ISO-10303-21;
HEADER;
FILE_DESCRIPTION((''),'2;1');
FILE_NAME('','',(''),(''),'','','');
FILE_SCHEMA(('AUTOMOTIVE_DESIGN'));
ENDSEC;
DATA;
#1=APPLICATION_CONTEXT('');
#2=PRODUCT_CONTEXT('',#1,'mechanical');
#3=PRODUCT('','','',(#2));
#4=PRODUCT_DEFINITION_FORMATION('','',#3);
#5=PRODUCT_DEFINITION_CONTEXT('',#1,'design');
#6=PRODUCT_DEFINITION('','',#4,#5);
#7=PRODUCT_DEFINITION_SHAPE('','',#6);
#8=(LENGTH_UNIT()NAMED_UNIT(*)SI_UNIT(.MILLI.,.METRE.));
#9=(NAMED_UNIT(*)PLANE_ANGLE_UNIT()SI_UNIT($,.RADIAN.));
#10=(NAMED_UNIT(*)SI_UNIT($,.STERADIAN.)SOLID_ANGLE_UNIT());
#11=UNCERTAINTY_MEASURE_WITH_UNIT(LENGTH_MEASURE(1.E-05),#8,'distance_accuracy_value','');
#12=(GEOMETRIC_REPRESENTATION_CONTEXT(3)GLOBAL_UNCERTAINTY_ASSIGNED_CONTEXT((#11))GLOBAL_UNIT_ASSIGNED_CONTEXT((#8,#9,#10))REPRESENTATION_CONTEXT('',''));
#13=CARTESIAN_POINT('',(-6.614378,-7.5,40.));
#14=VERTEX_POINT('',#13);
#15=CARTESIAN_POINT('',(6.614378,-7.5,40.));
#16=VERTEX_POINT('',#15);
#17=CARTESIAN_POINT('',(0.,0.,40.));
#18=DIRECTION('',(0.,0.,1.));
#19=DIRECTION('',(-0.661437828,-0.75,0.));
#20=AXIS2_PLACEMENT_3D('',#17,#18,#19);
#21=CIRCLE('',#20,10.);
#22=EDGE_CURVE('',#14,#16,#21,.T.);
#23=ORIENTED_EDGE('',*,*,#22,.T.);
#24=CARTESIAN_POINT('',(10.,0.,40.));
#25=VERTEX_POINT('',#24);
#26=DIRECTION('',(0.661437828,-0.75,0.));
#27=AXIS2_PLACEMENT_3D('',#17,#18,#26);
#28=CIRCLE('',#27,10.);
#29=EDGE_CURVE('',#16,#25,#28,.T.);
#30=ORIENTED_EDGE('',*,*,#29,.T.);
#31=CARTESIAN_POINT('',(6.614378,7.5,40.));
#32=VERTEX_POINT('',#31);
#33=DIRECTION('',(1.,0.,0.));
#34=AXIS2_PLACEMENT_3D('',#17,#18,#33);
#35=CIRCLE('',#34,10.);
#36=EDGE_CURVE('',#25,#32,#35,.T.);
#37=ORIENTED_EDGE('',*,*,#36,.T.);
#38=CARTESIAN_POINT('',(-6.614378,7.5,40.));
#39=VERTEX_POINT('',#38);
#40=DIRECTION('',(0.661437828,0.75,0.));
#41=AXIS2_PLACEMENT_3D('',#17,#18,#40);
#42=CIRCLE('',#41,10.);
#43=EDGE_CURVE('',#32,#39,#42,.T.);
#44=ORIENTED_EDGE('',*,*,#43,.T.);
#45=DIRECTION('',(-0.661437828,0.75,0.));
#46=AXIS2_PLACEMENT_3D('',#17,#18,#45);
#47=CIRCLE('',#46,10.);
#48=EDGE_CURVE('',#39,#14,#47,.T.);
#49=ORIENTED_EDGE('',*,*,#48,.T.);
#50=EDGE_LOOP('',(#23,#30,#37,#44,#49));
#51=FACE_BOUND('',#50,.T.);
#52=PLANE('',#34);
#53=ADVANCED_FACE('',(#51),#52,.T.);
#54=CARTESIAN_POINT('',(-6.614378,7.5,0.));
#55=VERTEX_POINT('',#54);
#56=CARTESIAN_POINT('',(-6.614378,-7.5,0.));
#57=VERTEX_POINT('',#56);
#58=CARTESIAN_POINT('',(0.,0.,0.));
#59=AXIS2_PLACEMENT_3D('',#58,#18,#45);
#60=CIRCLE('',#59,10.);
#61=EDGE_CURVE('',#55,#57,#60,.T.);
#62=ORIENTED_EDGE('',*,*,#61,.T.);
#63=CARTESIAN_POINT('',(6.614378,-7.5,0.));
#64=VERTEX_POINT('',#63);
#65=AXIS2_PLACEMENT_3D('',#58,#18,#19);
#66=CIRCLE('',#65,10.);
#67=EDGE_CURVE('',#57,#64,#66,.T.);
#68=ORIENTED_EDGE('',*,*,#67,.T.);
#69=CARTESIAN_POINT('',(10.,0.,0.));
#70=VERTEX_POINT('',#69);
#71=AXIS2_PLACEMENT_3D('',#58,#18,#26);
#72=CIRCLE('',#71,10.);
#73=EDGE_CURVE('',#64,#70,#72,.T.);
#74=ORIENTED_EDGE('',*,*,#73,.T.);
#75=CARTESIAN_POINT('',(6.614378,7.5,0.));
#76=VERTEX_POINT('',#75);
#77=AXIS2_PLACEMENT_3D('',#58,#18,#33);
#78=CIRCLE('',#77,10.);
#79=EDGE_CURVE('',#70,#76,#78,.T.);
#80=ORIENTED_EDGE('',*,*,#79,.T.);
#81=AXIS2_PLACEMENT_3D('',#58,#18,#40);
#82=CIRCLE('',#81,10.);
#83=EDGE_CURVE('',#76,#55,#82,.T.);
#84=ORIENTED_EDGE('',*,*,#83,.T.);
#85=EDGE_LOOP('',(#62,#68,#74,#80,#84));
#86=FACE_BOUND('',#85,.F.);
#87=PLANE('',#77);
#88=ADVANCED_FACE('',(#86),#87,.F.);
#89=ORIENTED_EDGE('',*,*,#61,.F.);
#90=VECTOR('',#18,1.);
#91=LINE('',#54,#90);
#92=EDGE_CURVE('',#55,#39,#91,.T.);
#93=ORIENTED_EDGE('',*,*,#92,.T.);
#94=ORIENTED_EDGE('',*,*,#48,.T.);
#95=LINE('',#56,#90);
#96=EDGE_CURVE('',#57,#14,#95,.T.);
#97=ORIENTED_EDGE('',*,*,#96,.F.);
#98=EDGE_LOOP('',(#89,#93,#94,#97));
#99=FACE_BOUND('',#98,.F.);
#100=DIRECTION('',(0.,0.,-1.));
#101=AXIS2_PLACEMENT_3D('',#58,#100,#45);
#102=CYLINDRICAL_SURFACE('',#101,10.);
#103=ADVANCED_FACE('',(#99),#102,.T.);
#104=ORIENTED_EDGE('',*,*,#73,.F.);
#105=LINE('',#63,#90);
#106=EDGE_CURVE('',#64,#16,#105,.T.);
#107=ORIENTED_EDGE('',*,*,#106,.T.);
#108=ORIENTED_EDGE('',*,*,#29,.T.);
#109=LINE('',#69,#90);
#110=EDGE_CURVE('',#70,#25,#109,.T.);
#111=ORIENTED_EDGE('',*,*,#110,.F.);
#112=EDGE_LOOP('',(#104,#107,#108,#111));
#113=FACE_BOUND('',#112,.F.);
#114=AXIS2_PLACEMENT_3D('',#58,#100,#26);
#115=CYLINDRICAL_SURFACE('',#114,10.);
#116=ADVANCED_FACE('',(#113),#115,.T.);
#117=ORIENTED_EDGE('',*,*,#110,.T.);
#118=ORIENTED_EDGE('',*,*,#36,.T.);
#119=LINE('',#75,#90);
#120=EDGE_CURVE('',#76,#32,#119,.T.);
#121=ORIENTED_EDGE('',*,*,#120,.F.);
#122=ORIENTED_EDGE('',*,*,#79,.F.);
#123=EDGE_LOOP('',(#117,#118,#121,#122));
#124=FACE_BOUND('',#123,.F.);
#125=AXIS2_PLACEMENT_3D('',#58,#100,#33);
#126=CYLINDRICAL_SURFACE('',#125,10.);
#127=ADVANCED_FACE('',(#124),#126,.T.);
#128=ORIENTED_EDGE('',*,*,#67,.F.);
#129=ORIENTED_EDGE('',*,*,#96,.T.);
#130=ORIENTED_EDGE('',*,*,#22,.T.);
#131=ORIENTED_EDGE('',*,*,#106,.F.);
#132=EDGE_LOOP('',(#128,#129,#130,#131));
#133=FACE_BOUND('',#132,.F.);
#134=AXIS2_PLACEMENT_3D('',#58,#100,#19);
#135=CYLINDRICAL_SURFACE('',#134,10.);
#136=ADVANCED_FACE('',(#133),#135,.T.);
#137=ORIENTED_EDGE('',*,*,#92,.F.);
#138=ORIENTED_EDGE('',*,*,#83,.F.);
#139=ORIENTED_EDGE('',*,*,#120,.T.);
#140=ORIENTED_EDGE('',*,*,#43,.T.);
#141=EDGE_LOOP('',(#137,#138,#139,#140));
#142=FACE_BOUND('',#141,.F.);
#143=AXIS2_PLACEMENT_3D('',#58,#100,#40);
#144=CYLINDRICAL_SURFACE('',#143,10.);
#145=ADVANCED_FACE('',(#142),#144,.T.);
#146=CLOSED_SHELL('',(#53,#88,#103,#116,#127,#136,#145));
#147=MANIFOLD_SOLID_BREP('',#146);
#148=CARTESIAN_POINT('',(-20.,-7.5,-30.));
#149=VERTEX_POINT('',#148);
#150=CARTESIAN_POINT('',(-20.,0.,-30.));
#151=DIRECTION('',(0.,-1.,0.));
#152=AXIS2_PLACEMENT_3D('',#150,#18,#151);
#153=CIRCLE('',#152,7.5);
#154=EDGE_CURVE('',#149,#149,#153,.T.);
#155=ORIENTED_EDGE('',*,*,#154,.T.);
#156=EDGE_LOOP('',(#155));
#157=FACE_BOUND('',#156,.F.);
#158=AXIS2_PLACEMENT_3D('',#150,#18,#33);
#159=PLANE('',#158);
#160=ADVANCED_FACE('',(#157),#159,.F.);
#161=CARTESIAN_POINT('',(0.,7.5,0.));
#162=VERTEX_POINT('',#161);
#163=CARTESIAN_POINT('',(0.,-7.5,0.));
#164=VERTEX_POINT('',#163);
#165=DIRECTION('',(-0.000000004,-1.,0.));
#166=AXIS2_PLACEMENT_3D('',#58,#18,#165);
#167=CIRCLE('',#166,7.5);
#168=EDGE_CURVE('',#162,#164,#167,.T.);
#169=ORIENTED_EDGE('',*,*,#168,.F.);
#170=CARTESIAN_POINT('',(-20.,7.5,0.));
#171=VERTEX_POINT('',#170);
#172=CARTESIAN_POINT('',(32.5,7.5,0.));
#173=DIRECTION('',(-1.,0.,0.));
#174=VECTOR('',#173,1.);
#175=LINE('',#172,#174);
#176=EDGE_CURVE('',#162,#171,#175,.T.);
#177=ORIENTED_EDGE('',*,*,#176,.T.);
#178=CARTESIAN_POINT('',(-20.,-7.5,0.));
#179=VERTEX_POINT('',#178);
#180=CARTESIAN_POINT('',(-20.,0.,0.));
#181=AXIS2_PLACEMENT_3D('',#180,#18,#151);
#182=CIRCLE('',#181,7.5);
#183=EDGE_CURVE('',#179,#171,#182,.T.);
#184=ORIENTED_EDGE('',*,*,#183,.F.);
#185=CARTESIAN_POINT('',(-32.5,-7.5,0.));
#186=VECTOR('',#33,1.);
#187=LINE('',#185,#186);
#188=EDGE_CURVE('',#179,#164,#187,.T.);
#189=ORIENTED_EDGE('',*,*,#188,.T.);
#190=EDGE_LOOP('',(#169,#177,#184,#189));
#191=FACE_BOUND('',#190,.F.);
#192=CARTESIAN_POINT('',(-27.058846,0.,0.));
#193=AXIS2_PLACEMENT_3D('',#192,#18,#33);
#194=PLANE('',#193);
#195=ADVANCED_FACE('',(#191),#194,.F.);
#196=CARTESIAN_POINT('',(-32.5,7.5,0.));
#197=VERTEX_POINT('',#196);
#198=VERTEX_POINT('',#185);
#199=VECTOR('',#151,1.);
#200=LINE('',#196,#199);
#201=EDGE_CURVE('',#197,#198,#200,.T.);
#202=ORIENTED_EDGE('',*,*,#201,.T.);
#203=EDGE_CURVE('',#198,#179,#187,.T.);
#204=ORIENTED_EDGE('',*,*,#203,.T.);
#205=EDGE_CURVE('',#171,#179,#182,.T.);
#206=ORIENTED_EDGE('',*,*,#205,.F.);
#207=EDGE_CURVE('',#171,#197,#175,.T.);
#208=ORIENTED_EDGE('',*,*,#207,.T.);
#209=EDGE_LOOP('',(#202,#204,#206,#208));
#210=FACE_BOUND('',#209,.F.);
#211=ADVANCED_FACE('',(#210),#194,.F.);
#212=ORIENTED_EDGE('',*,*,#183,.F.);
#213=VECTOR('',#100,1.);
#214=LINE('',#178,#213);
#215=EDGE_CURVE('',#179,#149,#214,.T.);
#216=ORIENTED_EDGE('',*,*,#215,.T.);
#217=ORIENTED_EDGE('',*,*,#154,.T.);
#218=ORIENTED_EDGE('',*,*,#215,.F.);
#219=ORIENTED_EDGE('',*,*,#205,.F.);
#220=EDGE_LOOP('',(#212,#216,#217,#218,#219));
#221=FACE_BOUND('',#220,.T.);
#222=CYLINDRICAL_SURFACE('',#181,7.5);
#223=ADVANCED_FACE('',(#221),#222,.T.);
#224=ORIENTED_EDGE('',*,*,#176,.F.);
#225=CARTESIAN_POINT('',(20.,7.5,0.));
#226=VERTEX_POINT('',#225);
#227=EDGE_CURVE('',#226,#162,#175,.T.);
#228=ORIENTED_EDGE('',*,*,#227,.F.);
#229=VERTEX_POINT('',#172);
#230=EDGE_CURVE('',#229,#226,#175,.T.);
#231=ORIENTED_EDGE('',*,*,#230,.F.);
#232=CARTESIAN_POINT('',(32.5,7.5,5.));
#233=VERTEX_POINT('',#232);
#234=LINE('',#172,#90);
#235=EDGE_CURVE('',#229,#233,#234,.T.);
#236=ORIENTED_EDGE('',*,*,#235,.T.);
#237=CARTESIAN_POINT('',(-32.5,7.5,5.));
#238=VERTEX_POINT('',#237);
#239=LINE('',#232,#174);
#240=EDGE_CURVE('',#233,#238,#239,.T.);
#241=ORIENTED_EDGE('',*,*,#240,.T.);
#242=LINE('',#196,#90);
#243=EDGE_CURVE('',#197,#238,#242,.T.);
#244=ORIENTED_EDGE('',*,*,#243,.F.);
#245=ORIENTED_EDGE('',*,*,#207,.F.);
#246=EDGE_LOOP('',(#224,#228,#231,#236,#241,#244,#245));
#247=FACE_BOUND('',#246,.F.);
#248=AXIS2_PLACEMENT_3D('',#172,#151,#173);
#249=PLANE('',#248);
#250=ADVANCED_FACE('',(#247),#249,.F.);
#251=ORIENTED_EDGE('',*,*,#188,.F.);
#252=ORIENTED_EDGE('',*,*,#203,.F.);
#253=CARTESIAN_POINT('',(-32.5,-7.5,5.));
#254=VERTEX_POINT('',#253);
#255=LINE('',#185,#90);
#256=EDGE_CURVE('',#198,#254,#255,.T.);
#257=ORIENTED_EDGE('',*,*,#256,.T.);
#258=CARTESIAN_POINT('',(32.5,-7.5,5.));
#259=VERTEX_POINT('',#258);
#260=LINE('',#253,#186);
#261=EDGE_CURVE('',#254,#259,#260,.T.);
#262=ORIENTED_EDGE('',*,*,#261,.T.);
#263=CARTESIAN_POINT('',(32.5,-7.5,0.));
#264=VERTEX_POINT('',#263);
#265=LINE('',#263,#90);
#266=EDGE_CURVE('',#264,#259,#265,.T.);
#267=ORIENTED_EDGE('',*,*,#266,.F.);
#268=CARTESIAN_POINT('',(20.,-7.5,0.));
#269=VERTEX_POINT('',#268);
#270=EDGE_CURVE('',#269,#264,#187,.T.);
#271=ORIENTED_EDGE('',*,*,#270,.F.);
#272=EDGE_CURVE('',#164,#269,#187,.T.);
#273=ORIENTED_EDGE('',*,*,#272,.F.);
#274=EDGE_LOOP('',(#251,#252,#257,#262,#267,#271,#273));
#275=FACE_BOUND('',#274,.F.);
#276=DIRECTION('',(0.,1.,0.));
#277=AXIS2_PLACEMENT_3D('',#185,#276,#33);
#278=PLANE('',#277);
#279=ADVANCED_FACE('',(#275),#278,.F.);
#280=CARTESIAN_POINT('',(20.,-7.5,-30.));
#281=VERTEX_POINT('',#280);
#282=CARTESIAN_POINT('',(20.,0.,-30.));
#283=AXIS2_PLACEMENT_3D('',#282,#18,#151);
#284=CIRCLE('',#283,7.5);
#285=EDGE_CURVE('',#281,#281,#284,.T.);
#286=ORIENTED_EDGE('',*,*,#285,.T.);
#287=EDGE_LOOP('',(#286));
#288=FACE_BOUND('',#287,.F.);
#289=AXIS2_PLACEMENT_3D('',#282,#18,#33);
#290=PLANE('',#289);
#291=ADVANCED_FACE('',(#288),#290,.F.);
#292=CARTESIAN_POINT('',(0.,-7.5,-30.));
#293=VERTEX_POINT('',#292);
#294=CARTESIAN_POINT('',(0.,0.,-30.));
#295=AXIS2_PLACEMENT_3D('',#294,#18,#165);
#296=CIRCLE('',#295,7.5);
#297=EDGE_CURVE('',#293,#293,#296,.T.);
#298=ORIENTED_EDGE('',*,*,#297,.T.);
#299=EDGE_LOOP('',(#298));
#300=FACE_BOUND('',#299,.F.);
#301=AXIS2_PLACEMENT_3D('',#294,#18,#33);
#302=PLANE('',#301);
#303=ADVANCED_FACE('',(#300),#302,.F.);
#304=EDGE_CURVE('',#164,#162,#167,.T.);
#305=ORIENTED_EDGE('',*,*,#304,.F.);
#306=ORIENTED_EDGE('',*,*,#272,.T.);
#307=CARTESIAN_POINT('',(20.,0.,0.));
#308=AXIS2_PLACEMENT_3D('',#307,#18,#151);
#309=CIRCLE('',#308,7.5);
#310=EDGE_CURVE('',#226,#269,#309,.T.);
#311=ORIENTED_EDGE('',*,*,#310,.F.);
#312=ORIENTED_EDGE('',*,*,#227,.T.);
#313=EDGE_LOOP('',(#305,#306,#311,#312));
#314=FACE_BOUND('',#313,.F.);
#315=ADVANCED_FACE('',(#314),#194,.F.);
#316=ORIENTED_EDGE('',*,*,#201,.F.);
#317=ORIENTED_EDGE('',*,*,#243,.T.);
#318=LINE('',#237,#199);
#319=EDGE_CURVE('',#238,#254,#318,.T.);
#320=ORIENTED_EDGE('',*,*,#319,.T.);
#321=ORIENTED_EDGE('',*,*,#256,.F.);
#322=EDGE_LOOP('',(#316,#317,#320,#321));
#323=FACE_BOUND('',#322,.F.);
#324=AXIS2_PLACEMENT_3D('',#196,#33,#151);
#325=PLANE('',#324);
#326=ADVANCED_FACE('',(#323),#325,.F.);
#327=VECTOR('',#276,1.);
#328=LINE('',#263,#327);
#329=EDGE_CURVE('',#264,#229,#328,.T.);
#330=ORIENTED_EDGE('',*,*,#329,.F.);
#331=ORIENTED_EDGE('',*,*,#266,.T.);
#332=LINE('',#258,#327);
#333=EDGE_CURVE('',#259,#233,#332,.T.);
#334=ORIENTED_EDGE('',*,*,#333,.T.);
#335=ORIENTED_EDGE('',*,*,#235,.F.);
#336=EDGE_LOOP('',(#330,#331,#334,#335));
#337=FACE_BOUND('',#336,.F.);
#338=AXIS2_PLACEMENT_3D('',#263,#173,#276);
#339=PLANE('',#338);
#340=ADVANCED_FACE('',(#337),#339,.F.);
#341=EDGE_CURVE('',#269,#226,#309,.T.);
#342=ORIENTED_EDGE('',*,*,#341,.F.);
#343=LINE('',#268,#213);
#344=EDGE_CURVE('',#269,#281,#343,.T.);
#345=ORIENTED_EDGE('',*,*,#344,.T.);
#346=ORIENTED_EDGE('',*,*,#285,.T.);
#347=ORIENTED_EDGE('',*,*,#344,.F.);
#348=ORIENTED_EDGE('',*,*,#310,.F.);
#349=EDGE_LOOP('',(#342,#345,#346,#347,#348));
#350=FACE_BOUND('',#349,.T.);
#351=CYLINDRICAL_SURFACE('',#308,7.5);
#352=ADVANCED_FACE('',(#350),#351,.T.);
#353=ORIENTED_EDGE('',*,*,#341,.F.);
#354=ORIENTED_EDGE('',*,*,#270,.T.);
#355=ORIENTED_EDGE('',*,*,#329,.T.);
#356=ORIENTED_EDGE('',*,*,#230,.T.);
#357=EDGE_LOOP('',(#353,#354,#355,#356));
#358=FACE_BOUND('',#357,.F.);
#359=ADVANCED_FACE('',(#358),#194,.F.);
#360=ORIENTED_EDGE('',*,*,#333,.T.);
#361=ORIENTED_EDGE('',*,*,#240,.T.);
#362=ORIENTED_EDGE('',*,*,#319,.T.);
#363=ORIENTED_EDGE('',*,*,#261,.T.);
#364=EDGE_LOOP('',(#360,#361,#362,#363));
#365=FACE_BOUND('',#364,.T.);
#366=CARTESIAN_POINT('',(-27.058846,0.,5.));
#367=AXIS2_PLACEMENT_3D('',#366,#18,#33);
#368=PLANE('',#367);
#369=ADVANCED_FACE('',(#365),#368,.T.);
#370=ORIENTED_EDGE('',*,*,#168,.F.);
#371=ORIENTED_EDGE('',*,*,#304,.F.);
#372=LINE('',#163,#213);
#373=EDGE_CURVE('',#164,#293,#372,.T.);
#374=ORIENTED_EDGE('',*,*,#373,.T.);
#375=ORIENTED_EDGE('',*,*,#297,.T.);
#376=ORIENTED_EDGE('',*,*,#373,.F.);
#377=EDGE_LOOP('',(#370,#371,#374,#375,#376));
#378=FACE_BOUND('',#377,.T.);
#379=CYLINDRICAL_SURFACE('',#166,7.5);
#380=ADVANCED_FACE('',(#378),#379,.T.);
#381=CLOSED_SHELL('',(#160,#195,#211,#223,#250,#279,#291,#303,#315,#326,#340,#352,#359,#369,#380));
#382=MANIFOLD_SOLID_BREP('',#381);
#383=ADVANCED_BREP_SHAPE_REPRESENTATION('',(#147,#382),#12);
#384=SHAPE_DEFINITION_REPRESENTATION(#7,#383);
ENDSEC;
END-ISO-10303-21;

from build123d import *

# Parameters (mm, degrees)
F1_DEPTH = 5
F2_DEPTH = 30
F3_DEPTH = 40


with BuildPart() as f1:
    # F0 (on Top) → F1 (new body)
    with BuildSketch(Plane.XY):
        with BuildLine():
            ThreePointArc((-20, -7.5), (-27.5, 0), (-20, 7.5))
            Line((-20, 7.5), (-32.5, 7.5))
            Line((-32.5, 7.5), (-32.5, -7.5))
            Line((-32.5, -7.5), (-20, -7.5))
        make_face()
        with BuildLine():
            Line((32.5, -7.5), (32.5, 7.5))
            Line((32.5, 7.5), (20, 7.5))
            ThreePointArc((20, 7.5), (25.3033008589, 5.3033008589), (27.5, 0))
            ThreePointArc((27.5, 0), (25.3033008589, -5.3033008589), (20, -7.5))
            Line((20, -7.5), (32.5, -7.5))
        make_face()
        with BuildLine():
            ThreePointArc((27.5, 0), (25.3033008589, 5.3033008589), (20, 7.5))
            ThreePointArc((20, 7.5), (12.5, 0), (20, -7.5))
            ThreePointArc((20, -7.5), (25.3033008589, -5.3033008589), (27.5, 0))
        make_face()
        with BuildLine():
            ThreePointArc((10, 0), (9.1143782777, 4.1143782777), (6.6143782777, 7.5))
            Line((6.6143782777, 7.5), (0, 7.5))
            ThreePointArc((0, 7.5), (5.3033008589, 5.3033008589), (7.5, 0))
            ThreePointArc((7.5, 0), (5.3033008488, -5.303300869), (-2.86e-08, -7.5))
            Line((-2.86e-08, -7.5), (6.6143782777, -7.5))
            ThreePointArc((6.6143782777, -7.5), (9.1143782777, -4.1143782777), (10, 0))
        make_face()
        with BuildLine():
            ThreePointArc((20, -7.5), (12.5, 0), (20, 7.5))
            Line((20, 7.5), (6.6143782777, 7.5))
            ThreePointArc((6.6143782777, 7.5), (9.1143782777, 4.1143782777), (10, 0))
            ThreePointArc((10, 0), (9.1143782777, -4.1143782777), (6.6143782777, -7.5))
            Line((6.6143782777, -7.5), (20, -7.5))
        make_face()
        with BuildLine():
            ThreePointArc((7.5, 0), (5.3033008589, 5.3033008589), (0, 7.5))
            ThreePointArc((0, 7.5), (-7.5, 1.43e-08), (-2.86e-08, -7.5))
            ThreePointArc((-2.86e-08, -7.5), (5.3033008488, -5.303300869), (7.5, 0))
        make_face()
        with BuildLine():
            ThreePointArc((-2.86e-08, -7.5), (-7.5, 1.43e-08), (0, 7.5))
            Line((0, 7.5), (-6.6143782777, 7.5))
            ThreePointArc((-6.6143782777, 7.5), (-10, 0), (-6.6143782777, -7.5))
            Line((-6.6143782777, -7.5), (-2.86e-08, -7.5))
        make_face()
        with BuildLine():
            ThreePointArc((-6.6143782777, -7.5), (-10, 0), (-6.6143782777, 7.5))
            Line((-6.6143782777, 7.5), (-20, 7.5))
            ThreePointArc((-20, 7.5), (-14.6966991411, 5.3033008589), (-12.5, 0))
            ThreePointArc((-12.5, 0), (-14.6966991411, -5.3033008589), (-20, -7.5))
            Line((-20, -7.5), (-6.6143782777, -7.5))
        make_face()
        with BuildLine():
            ThreePointArc((-12.5, 0), (-14.6966991411, 5.3033008589), (-20, 7.5))
            ThreePointArc((-20, 7.5), (-27.5, 0), (-20, -7.5))
            ThreePointArc((-20, -7.5), (-14.6966991411, -5.3033008589), (-12.5, 0))
        make_face()
    extrude(amount=F1_DEPTH)

    # F0 (on Top) → F2 (join)
    with BuildSketch(Plane.XY):
        with BuildLine():
            ThreePointArc((-12.5, 0), (-14.6966991411, 5.3033008589), (-20, 7.5))
            ThreePointArc((-20, 7.5), (-27.5, 0), (-20, -7.5))
            ThreePointArc((-20, -7.5), (-14.6966991411, -5.3033008589), (-12.5, 0))
        make_face()
        with BuildLine():
            ThreePointArc((7.5, 0), (5.3033008589, 5.3033008589), (0, 7.5))
            ThreePointArc((0, 7.5), (-7.5, 1.43e-08), (-2.86e-08, -7.5))
            ThreePointArc((-2.86e-08, -7.5), (5.3033008488, -5.303300869), (7.5, 0))
        make_face()
        with BuildLine():
            ThreePointArc((27.5, 0), (25.3033008589, 5.3033008589), (20, 7.5))
            ThreePointArc((20, 7.5), (12.5, 0), (20, -7.5))
            ThreePointArc((20, -7.5), (25.3033008589, -5.3033008589), (27.5, 0))
        make_face()
    extrude(amount=-F2_DEPTH)


with BuildPart() as f3:
    # F0 (on Top) → F3 (new body)
    with BuildSketch(Plane.XY):
        with BuildLine():
            ThreePointArc((7.5, 0), (5.3033008589, 5.3033008589), (0, 7.5))
            ThreePointArc((0, 7.5), (-7.5, 1.43e-08), (-2.86e-08, -7.5))
            ThreePointArc((-2.86e-08, -7.5), (5.3033008488, -5.303300869), (7.5, 0))
        make_face()
        with BuildLine():
            ThreePointArc((10, 0), (9.1143782777, 4.1143782777), (6.6143782777, 7.5))
            Line((6.6143782777, 7.5), (0, 7.5))
            ThreePointArc((0, 7.5), (5.3033008589, 5.3033008589), (7.5, 0))
            ThreePointArc((7.5, 0), (5.3033008488, -5.303300869), (-2.86e-08, -7.5))
            Line((-2.86e-08, -7.5), (6.6143782777, -7.5))
            ThreePointArc((6.6143782777, -7.5), (9.1143782777, -4.1143782777), (10, 0))
        make_face()
        with BuildLine():
            ThreePointArc((-2.86e-08, -7.5), (-7.5, 1.43e-08), (0, 7.5))
            Line((0, 7.5), (-6.6143782777, 7.5))
            ThreePointArc((-6.6143782777, 7.5), (-10, 0), (-6.6143782777, -7.5))
            Line((-6.6143782777, -7.5), (-2.86e-08, -7.5))
        make_face()
        with BuildLine():
            Line((0, 7.5), (6.6143782777, 7.5))
            ThreePointArc((6.6143782777, 7.5), (0, 10), (-6.6143782777, 7.5))
            Line((-6.6143782777, 7.5), (0, 7.5))
        make_face()
        with BuildLine():
            ThreePointArc((-6.6143782777, -7.5), (0, -10), (6.6143782777, -7.5))
            Line((6.6143782777, -7.5), (-2.86e-08, -7.5))
            Line((-2.86e-08, -7.5), (-6.6143782777, -7.5))
        make_face()
    extrude(amount=F3_DEPTH)


solid = Compound([f1.part, f3.part])
